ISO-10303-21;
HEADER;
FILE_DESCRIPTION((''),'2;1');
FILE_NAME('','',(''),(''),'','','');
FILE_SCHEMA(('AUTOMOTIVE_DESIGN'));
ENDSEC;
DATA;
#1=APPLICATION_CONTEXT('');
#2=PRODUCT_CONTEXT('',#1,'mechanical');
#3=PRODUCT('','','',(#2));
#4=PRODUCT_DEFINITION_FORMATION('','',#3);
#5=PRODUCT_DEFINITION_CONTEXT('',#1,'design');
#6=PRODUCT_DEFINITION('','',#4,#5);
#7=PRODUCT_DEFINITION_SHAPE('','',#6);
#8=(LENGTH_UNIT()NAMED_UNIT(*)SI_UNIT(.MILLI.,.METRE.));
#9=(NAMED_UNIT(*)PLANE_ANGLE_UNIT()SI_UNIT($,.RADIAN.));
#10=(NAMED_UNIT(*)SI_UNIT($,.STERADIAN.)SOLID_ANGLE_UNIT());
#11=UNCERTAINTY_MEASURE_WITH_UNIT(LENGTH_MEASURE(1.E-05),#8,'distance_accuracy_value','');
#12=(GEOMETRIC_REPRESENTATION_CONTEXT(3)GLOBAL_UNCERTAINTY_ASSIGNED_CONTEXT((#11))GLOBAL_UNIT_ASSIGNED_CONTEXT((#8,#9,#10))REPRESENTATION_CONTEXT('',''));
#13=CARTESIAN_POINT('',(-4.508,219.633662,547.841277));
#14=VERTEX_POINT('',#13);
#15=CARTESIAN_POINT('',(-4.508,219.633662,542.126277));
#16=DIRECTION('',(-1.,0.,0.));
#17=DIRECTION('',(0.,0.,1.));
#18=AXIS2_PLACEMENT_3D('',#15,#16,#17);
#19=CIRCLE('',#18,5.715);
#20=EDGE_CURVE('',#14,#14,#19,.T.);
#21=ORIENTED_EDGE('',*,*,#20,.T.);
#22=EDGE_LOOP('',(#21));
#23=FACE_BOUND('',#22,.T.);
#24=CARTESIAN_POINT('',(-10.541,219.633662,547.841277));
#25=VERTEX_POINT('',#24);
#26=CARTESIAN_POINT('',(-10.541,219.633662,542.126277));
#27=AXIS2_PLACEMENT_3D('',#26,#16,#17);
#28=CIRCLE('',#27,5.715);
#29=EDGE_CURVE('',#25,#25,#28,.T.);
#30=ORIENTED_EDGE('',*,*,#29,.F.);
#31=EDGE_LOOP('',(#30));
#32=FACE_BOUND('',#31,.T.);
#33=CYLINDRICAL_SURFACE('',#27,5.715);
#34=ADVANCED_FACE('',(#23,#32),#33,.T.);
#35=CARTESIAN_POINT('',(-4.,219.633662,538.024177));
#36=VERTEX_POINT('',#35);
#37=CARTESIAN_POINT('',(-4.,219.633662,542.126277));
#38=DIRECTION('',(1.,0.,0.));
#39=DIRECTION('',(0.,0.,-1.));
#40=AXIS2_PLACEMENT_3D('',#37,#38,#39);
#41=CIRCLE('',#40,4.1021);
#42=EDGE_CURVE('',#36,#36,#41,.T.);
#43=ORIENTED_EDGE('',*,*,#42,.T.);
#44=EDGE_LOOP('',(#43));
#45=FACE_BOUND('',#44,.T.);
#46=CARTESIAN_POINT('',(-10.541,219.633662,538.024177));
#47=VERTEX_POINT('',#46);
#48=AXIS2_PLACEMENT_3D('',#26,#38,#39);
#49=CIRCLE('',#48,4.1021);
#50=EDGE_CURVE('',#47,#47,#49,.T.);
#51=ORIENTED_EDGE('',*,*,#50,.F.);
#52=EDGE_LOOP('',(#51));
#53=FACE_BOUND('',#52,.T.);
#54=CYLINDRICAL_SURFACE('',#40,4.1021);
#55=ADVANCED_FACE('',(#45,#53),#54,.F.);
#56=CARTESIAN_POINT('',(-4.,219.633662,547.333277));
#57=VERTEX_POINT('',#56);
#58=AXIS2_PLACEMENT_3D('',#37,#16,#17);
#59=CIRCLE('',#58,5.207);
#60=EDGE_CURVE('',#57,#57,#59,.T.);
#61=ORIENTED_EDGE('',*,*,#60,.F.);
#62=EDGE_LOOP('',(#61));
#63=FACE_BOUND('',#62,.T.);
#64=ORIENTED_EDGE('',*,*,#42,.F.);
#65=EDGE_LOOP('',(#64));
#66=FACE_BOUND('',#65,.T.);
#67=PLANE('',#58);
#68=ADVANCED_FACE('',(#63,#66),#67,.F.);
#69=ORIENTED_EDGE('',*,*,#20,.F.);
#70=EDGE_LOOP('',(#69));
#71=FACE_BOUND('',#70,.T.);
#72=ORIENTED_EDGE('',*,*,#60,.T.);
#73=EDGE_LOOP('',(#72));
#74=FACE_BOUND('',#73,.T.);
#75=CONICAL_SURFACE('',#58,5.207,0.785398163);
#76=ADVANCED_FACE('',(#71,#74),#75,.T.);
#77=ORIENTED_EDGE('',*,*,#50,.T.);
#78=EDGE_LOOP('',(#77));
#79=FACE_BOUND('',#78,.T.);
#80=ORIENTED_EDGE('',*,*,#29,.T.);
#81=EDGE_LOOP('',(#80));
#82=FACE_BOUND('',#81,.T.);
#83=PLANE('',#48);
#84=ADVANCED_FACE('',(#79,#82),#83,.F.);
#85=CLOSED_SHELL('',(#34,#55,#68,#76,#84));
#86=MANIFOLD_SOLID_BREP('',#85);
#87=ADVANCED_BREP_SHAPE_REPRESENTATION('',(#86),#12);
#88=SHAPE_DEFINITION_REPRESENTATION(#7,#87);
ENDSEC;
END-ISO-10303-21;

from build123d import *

# Parameters (mm, degrees)
P_0_323_DIAMETER_HOLE1_D = 8.2042


with BuildPart() as part:
    # Sketch1 → Revolve1 (revolve)
    with BuildSketch(Plane(origin=(0, 219.633662308, 0), x_dir=(1, 0, 0), z_dir=(0, 1, 0))):
        Polygon((-4, -542.126277454), (-4, -536.919277454), (-4.508, -536.411277454), (-10.541, -536.411277454), (-10.541, -542.126277454), align=None)
    revolve(axis=Axis((-10.541, 219.633662308, 542.126277454), (1, 0, 0)))

    # P (0.323) Diameter Hole1 (through all)
    with Locations(Plane(origin=(-4, 0, 0), x_dir=(0, 0, -1), z_dir=(1, 0, 0))):
        with Locations((-542.126277454, 219.633662308)):
            Hole(P_0_323_DIAMETER_HOLE1_D / 2)


solid = part.part
